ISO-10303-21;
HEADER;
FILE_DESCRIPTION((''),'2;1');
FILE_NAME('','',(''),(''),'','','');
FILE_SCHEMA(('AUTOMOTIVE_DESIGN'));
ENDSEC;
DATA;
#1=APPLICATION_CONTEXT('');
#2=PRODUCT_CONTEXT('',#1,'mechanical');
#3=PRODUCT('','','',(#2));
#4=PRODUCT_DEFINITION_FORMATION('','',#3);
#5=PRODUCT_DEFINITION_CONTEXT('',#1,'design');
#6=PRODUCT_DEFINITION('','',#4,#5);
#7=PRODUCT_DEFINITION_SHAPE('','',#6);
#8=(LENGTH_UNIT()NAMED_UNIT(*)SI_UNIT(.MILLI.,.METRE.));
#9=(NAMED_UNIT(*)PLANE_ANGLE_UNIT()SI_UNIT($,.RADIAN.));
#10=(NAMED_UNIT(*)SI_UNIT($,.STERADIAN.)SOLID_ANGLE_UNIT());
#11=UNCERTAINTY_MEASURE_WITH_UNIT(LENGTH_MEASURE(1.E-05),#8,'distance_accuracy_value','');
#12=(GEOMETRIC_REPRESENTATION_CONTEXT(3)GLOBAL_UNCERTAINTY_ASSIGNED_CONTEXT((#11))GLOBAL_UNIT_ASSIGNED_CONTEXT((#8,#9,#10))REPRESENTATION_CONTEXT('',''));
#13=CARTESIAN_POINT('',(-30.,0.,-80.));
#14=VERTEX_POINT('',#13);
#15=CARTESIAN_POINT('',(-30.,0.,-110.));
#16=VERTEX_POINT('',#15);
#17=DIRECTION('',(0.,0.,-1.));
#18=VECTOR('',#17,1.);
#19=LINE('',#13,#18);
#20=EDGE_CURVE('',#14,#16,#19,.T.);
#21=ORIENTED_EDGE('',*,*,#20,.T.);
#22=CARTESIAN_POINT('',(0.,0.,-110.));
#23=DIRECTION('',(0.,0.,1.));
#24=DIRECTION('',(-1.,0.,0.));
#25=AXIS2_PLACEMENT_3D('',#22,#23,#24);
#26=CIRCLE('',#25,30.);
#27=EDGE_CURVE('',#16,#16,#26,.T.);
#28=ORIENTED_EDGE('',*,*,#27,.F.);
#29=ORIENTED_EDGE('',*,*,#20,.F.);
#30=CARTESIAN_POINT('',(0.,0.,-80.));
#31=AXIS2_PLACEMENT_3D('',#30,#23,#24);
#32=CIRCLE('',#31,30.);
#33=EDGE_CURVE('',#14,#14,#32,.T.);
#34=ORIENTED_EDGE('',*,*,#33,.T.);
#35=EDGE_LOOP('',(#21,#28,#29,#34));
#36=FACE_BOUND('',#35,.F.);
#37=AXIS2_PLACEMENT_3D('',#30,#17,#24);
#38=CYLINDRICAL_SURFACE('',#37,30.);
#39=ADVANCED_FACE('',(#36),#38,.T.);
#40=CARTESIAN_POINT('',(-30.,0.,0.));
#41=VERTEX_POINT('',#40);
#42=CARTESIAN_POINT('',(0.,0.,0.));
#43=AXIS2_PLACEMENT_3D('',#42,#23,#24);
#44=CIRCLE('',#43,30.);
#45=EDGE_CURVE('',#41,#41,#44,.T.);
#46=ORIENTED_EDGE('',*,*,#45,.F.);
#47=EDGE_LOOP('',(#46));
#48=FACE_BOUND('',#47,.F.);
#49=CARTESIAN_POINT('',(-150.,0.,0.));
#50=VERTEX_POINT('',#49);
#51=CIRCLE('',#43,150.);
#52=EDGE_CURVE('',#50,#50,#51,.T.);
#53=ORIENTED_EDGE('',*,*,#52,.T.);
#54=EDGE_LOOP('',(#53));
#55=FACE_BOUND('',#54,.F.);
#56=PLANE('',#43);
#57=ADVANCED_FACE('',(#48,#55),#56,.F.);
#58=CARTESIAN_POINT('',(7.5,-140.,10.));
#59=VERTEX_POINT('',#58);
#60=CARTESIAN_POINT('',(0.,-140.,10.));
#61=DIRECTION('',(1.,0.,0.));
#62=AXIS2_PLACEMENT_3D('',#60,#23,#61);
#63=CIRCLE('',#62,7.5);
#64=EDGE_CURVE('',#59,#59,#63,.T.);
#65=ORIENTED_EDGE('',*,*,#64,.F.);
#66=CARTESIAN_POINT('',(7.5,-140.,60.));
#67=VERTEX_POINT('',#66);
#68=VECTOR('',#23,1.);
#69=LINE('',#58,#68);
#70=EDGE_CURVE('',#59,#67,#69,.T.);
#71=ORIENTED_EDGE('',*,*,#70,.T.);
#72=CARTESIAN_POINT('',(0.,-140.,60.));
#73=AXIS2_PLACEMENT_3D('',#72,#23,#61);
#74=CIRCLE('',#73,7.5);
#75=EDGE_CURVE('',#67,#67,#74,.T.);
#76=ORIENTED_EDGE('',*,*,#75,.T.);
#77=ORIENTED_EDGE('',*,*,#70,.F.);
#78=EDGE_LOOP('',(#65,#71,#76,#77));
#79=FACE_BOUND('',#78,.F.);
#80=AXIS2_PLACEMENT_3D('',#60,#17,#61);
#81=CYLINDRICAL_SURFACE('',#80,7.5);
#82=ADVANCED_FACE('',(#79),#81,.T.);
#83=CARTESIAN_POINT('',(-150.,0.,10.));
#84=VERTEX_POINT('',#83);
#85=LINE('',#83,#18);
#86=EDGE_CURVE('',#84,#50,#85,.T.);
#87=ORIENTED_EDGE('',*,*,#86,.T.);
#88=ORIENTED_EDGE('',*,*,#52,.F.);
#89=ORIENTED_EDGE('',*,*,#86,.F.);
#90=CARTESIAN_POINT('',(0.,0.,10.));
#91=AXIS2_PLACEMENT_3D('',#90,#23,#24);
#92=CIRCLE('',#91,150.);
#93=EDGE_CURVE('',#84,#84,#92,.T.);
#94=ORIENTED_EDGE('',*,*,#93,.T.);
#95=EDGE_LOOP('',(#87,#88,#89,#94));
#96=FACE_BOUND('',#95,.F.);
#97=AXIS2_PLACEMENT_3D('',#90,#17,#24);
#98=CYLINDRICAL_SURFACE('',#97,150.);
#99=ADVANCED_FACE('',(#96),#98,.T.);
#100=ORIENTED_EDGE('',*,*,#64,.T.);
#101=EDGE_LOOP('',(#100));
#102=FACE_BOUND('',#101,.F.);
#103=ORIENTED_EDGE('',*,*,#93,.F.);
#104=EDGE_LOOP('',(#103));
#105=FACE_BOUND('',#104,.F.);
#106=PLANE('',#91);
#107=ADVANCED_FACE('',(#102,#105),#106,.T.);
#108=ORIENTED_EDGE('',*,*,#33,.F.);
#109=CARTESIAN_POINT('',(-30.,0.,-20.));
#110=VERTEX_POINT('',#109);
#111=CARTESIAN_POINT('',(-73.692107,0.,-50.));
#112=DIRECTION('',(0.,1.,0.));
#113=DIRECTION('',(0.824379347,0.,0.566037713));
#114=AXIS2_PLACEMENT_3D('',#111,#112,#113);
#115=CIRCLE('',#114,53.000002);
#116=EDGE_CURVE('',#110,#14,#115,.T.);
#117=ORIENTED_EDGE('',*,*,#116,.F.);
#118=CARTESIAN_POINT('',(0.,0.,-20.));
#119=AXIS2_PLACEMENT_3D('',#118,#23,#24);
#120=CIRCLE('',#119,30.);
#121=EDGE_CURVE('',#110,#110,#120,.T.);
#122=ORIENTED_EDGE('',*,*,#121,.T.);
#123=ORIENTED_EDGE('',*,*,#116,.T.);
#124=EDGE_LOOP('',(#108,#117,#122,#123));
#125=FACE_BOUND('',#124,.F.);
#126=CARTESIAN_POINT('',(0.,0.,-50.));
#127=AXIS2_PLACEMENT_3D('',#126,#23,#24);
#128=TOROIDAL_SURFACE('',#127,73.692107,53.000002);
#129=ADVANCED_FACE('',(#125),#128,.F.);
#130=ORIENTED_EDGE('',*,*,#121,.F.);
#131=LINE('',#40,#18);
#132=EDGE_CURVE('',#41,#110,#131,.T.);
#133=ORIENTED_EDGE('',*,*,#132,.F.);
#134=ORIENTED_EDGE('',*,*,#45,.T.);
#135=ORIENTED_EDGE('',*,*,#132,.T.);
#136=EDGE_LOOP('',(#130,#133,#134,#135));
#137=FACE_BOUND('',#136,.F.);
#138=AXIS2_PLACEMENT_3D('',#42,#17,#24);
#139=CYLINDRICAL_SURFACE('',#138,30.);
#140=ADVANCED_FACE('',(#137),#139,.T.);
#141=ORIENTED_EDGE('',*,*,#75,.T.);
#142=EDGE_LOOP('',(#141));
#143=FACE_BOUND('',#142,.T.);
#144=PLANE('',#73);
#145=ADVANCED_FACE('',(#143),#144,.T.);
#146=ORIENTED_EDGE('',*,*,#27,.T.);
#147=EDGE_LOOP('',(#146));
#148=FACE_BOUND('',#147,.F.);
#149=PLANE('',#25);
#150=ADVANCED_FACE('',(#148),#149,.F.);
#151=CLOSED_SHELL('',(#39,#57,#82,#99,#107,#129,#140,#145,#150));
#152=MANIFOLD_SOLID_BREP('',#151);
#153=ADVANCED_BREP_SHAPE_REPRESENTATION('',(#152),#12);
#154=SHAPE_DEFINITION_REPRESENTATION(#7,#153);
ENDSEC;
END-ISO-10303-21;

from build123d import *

# Parameters (mm, degrees)
F2_R     = 7.5
F3_DEPTH = 50


with BuildPart() as f1:
    # F0 (on Front) → F1 (revolve)
    with BuildSketch(Plane.XZ):
        with BuildLine():
            Line((-150, 0), (-30, 0))
            Line((-30, 0), (-30, -20))
            ThreePointArc((-30, -20), (-20.692105, -50), (-30, -80))
            Line((-30, -80), (-30, -110))
            Line((-30, -110), (0, -110))
            Line((0, -110), (0, 0))
            Line((0, 0), (0, 10))
            Line((0, 10), (-150, 10))
            Line((-150, 10), (-150, 0))
        make_face()
    revolve(axis=Axis((0, 0, -55), (0, 0, 1)))

    # F2 (on face) → F3 (join)
    with BuildSketch(Plane.XY.offset(10)):
        with Locations((0, -140)):
            Circle(F2_R)
    extrude(amount=F3_DEPTH)


solid = f1.part
